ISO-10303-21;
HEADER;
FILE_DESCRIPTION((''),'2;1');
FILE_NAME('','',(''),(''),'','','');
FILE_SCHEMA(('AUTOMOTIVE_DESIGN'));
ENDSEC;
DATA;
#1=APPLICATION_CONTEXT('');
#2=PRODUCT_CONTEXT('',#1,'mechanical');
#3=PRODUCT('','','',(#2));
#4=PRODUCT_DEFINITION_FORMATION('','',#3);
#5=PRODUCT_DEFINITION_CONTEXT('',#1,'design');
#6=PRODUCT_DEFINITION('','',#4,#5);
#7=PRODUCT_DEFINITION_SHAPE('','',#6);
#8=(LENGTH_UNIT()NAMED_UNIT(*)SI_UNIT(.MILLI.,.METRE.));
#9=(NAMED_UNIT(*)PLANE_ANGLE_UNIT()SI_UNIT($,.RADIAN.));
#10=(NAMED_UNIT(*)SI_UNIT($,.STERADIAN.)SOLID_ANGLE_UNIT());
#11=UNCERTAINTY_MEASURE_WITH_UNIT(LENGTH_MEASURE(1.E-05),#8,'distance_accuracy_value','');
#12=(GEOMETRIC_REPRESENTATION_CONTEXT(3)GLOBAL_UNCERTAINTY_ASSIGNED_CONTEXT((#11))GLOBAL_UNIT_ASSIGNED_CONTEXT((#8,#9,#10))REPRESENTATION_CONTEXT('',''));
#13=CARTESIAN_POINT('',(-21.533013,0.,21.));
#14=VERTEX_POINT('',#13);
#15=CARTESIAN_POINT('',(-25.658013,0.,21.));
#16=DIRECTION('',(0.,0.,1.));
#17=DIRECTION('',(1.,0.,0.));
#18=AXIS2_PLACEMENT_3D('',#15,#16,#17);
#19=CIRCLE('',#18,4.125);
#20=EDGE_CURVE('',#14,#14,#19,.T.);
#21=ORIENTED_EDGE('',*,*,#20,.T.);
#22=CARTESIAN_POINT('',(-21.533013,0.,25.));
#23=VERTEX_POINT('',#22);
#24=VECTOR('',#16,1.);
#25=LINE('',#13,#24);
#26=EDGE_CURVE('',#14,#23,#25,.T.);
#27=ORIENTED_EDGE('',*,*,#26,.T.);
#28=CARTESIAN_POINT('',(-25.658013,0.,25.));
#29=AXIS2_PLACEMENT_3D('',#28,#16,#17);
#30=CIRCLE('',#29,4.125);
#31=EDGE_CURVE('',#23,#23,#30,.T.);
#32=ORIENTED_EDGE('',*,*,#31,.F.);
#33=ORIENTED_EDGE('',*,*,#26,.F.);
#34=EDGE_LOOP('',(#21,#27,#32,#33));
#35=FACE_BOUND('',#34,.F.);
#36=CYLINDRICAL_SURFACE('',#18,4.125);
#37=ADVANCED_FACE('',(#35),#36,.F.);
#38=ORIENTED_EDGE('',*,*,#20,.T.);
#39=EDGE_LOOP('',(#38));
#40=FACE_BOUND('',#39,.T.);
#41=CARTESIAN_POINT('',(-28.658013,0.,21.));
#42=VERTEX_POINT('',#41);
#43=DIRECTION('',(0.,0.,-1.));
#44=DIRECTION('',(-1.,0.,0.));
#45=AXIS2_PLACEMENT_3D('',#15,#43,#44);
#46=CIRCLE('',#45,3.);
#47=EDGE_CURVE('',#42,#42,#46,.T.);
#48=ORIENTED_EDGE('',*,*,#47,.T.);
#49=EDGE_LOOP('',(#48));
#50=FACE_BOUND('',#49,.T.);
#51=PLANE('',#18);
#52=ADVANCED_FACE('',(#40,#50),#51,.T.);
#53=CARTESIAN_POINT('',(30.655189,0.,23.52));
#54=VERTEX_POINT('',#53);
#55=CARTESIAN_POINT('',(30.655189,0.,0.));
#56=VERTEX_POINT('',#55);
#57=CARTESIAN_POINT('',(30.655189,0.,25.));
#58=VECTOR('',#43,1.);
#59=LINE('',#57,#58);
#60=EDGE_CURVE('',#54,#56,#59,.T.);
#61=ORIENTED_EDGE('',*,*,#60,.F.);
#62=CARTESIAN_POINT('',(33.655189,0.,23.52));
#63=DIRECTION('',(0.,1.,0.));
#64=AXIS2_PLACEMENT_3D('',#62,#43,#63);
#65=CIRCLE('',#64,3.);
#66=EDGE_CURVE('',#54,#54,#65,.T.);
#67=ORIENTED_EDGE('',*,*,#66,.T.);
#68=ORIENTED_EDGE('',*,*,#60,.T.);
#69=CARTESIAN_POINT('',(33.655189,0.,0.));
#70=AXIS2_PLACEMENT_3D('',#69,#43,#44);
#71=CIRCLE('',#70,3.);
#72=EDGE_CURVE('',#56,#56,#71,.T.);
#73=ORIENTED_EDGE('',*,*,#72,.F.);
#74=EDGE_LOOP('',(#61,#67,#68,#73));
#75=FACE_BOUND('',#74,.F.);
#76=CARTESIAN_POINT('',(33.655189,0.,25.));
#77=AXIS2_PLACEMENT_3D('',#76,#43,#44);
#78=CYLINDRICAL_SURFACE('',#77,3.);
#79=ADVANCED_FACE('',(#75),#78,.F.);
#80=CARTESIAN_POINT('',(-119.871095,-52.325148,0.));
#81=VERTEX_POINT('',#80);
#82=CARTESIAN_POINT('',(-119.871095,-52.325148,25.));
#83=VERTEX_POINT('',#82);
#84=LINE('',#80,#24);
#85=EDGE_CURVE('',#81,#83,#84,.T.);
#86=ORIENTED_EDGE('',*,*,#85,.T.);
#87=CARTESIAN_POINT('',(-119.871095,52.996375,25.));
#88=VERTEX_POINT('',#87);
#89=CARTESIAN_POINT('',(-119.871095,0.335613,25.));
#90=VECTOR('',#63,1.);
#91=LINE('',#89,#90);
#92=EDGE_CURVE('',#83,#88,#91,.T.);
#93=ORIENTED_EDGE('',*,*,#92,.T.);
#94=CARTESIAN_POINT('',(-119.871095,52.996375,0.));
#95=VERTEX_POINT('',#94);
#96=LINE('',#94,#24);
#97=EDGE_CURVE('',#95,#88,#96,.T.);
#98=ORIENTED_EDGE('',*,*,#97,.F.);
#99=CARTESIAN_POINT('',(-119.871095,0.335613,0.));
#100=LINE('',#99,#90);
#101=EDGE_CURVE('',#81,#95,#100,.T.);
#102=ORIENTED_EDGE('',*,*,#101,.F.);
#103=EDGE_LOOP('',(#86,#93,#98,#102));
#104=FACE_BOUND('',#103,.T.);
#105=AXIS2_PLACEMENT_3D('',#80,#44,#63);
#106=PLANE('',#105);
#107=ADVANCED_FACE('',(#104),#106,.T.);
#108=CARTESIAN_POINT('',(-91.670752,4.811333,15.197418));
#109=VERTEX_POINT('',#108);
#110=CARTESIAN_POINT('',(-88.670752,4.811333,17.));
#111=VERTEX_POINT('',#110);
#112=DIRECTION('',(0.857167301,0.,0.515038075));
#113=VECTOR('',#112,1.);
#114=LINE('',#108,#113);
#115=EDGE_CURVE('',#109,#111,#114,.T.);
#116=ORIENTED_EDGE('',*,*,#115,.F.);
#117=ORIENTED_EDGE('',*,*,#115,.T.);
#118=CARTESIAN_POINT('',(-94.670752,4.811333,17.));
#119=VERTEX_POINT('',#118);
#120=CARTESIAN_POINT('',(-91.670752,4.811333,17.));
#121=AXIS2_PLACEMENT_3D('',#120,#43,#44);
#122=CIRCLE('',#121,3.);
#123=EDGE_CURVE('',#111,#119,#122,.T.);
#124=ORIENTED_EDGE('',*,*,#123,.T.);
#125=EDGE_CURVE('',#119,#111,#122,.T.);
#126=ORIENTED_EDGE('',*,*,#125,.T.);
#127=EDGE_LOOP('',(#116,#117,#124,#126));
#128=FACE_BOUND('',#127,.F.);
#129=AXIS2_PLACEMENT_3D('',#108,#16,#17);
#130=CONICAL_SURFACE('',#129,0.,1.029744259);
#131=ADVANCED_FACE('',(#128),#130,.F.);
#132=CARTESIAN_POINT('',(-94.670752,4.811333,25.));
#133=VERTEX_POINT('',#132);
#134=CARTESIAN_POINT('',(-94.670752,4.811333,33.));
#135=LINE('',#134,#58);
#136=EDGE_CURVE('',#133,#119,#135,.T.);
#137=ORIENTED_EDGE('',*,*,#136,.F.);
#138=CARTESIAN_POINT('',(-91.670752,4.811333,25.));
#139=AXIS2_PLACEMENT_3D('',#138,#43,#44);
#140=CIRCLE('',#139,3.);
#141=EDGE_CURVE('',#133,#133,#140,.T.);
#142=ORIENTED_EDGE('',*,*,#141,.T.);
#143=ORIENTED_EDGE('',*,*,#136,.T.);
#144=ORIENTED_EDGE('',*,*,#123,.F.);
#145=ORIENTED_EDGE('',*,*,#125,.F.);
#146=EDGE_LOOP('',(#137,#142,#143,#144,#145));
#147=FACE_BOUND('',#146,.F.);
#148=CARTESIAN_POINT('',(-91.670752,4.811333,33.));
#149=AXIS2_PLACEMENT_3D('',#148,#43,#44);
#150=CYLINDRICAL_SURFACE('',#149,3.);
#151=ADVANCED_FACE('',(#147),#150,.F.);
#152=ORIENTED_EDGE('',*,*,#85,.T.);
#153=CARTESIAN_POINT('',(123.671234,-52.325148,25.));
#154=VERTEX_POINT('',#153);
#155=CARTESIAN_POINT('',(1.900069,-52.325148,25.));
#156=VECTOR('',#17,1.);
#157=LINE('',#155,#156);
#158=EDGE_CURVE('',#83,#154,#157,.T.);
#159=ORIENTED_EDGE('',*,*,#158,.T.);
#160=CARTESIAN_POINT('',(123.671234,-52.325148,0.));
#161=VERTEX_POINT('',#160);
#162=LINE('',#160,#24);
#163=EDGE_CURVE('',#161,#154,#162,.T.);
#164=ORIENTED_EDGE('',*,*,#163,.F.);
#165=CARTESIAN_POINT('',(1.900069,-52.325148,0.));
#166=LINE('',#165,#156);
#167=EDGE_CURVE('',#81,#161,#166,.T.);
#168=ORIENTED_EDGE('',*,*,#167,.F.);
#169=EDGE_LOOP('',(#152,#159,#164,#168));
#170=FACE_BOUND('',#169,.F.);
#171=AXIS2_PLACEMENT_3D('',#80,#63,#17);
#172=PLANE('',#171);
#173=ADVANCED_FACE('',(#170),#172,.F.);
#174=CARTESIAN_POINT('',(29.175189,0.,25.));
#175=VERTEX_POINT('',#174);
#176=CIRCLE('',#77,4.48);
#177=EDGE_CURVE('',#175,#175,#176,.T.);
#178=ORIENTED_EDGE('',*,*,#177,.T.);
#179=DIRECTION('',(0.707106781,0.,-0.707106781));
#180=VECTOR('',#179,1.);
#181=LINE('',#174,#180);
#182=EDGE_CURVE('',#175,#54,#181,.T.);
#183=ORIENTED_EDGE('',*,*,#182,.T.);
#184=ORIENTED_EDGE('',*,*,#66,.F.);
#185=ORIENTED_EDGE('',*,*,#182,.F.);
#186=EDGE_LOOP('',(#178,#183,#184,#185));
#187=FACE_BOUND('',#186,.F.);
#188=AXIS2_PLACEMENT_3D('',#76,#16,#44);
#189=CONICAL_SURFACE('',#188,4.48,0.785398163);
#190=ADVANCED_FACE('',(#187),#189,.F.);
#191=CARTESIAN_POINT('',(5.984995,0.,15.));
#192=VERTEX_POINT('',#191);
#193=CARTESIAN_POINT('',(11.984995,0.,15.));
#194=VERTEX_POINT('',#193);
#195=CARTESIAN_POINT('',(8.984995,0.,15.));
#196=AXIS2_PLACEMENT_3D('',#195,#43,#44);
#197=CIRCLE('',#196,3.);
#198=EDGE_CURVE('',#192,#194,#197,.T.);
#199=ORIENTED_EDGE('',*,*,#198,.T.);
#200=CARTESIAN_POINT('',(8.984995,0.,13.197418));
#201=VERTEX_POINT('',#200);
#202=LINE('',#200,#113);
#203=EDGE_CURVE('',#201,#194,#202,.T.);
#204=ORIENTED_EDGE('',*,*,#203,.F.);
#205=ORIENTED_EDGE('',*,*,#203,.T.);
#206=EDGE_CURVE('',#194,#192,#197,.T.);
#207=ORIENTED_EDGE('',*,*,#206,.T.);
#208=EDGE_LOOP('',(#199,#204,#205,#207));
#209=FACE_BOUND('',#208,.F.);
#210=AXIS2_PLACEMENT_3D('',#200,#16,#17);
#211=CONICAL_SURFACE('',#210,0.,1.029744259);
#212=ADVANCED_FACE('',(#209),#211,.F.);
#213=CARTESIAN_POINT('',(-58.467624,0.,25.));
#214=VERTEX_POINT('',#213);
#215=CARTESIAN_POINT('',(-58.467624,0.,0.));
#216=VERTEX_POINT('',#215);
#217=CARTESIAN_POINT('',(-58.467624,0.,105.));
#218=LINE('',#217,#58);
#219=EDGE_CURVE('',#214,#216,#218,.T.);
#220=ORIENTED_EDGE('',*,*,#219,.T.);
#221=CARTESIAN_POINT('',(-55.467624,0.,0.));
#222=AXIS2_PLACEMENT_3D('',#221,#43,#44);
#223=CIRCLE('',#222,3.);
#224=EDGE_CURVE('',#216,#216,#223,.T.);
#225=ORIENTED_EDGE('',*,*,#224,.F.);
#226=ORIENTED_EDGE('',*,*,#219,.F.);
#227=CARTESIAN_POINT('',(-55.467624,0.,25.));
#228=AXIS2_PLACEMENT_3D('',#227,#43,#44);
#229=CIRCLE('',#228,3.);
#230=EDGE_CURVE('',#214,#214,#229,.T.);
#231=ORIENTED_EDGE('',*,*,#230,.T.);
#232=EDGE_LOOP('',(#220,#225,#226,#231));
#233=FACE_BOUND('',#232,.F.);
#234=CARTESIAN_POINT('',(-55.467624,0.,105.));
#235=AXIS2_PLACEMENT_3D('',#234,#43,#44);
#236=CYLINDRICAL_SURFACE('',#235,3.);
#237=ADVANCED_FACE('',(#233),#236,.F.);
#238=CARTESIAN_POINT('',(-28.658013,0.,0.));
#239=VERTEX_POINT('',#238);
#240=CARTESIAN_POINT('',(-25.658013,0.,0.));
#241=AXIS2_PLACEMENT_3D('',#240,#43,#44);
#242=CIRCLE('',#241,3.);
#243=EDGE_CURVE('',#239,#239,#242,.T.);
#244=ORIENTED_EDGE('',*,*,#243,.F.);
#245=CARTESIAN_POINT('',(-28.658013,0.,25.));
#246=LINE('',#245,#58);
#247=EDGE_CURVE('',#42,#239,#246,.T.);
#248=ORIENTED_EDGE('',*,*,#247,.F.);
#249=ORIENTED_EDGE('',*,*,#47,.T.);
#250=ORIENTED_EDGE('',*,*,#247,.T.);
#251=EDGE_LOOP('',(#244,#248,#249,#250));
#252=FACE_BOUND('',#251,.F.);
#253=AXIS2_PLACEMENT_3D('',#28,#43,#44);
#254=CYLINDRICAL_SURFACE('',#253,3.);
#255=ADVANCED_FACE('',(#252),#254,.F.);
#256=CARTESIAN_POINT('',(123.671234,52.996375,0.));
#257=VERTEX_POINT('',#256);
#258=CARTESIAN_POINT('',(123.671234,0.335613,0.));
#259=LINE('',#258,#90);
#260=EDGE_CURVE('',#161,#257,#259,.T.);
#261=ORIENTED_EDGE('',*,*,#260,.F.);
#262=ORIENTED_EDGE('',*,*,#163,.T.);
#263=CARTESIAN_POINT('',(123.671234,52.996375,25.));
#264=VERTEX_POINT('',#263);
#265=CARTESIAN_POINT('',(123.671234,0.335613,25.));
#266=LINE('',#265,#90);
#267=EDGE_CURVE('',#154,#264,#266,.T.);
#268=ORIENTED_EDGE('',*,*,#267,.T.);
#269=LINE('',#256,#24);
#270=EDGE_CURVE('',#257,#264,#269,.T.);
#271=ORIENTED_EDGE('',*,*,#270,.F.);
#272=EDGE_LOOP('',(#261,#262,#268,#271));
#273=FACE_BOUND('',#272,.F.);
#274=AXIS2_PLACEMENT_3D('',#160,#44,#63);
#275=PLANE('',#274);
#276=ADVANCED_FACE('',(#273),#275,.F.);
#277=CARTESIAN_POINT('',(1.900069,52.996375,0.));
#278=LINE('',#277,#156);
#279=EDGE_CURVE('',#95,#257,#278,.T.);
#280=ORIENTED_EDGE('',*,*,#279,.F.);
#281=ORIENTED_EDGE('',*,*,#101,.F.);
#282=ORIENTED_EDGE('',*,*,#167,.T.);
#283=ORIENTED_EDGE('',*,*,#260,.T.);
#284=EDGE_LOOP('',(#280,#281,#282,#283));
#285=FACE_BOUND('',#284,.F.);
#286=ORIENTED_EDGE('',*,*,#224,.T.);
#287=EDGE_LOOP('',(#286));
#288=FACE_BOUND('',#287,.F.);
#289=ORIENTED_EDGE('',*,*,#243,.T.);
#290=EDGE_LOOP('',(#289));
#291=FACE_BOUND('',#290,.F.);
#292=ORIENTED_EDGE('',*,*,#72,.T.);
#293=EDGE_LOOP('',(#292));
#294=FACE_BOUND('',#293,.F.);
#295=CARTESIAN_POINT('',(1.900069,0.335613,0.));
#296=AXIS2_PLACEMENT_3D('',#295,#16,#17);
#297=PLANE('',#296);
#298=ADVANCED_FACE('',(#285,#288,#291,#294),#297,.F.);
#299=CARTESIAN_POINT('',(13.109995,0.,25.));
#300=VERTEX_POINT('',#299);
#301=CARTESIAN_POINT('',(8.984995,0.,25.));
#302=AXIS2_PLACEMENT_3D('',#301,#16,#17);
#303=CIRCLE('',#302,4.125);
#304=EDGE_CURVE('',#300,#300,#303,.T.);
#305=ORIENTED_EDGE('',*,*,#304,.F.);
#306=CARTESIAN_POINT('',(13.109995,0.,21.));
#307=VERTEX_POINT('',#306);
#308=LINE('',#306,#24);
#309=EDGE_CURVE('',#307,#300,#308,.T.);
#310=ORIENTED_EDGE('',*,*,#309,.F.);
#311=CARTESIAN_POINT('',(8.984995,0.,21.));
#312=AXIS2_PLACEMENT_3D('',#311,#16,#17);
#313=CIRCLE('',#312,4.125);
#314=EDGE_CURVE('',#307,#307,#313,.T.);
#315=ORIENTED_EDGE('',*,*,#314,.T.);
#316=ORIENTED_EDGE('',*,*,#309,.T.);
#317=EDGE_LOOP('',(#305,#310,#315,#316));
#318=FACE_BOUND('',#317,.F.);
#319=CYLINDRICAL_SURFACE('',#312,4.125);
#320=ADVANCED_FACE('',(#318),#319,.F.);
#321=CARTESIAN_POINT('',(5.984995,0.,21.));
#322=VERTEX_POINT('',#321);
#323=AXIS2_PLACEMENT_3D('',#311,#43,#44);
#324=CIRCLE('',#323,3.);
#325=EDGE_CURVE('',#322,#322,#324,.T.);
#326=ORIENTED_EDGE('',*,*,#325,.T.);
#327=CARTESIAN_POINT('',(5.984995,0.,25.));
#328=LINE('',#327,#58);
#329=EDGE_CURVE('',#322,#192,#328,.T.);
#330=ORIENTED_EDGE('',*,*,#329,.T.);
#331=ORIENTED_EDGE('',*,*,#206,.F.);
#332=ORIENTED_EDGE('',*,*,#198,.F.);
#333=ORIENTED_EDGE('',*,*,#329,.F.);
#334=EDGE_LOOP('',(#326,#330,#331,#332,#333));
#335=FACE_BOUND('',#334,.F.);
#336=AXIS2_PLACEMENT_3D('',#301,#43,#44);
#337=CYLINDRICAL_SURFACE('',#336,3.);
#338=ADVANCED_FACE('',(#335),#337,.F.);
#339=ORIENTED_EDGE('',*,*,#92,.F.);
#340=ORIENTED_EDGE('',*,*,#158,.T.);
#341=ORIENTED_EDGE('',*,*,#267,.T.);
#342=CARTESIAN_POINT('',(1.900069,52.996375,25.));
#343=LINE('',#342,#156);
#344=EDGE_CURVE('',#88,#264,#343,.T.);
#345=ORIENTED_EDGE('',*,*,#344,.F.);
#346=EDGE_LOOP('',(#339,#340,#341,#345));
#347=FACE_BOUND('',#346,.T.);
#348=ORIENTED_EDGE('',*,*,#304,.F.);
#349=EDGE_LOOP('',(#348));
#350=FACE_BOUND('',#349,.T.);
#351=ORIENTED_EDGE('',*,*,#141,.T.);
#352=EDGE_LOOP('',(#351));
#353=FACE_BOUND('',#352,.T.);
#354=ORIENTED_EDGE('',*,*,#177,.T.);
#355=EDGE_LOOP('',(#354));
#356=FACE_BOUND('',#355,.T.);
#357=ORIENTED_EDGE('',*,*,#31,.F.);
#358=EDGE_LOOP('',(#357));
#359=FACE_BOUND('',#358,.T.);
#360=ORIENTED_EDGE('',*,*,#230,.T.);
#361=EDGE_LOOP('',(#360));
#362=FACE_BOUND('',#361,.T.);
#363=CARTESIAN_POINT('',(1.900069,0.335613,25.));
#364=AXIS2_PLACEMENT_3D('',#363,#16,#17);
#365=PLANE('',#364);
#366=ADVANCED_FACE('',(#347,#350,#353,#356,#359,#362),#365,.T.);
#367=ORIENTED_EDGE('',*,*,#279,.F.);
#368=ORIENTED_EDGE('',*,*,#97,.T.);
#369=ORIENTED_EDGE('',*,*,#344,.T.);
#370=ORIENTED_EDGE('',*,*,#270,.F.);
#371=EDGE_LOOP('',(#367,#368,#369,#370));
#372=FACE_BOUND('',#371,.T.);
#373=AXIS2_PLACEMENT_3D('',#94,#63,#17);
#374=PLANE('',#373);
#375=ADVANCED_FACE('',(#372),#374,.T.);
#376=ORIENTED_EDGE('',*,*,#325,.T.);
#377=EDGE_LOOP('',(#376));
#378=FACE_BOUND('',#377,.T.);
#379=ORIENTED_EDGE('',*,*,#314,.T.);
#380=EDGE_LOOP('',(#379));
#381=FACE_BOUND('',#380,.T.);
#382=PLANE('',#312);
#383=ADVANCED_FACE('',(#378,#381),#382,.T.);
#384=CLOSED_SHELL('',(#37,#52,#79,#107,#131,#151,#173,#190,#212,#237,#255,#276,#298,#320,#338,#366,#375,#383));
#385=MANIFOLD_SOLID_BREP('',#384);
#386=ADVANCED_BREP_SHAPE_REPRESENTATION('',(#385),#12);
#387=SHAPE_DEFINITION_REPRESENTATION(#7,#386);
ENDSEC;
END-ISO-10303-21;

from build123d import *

# Parameters (mm, degrees)
F0_W           = 243.5423284769
F0_H           = 105.3215228021
F1_DEPTH       = 25
F3_D           = 6
F3_DEPTH       = 8
F3_TIP         = 1.8025818571
F4_D           = 6
F4_DEPTH       = 80
F4_TIP         = 1.8025818571
F5_D           = 6
F5_DEPTH       = 80
F5_CBORE_D     = 8.25
F5_CBORE_DEPTH = 4
F5_TIP         = 1.8025818571
F6_D           = 6
F6_DEPTH       = 10
F6_CBORE_D     = 8.25
F6_CBORE_DEPTH = 4
F6_TIP         = 1.8025818571
F7_D           = 6
F7_DEPTH       = 50
F7_CSINK_D     = 8.96
F7_CSINK_ANGLE = 90
F7_TIP         = 1.8025818571


with BuildPart() as f1:
    # F0 (on Top) → F1 (new body)
    with BuildSketch(Plane.XY):
        with Locations((1.9000694156, 0.3356132656)):
            Rectangle(F0_W, F0_H)
    extrude(amount=F1_DEPTH)

    # F3
    with Locations(Plane.XY.offset(25)):
        with Locations((-91.6707515717, 4.8113325611)):
            Hole(F3_D / 2, depth=F3_DEPTH)
            with Locations((0, 0, -(F3_DEPTH + F3_TIP / 2))):  # 118° drill point
                Cone(0, F3_D / 2, F3_TIP, mode=Mode.SUBTRACT)

    # F4
    with Locations(Plane.XY.offset(25)):
        with Locations((-55.4676242173, 0)):
            Hole(F4_D / 2, depth=F4_DEPTH)
            with Locations((0, 0, -(F4_DEPTH + F4_TIP / 2))):  # 118° drill point
                Cone(0, F4_D / 2, F4_TIP, mode=Mode.SUBTRACT)

    # F5
    with Locations(Plane.XY.offset(25)):
        with Locations((-25.6580132991, 0)):
            CounterBoreHole(F5_D / 2, F5_CBORE_D / 2, F5_CBORE_DEPTH, depth=F5_DEPTH)
            with Locations((0, 0, -(F5_DEPTH + F5_TIP / 2))):  # 118° drill point
                Cone(0, F5_D / 2, F5_TIP, mode=Mode.SUBTRACT)

    # F6
    with Locations(Plane.XY.offset(25)):
        with Locations((8.9849950746, 0)):
            CounterBoreHole(F6_D / 2, F6_CBORE_D / 2, F6_CBORE_DEPTH, depth=F6_DEPTH)
            with Locations((0, 0, -(F6_DEPTH + F6_TIP / 2))):  # 118° drill point
                Cone(0, F6_D / 2, F6_TIP, mode=Mode.SUBTRACT)

    # F7
    with Locations(Plane.XY.offset(25)):
        with Locations((33.6551889777, 0)):
            CounterSinkHole(F7_D / 2, F7_CSINK_D / 2, depth=F7_DEPTH, counter_sink_angle=F7_CSINK_ANGLE)
            with Locations((0, 0, -(F7_DEPTH + F7_TIP / 2))):  # 118° drill point
                Cone(0, F7_D / 2, F7_TIP, mode=Mode.SUBTRACT)


solid = f1.part
